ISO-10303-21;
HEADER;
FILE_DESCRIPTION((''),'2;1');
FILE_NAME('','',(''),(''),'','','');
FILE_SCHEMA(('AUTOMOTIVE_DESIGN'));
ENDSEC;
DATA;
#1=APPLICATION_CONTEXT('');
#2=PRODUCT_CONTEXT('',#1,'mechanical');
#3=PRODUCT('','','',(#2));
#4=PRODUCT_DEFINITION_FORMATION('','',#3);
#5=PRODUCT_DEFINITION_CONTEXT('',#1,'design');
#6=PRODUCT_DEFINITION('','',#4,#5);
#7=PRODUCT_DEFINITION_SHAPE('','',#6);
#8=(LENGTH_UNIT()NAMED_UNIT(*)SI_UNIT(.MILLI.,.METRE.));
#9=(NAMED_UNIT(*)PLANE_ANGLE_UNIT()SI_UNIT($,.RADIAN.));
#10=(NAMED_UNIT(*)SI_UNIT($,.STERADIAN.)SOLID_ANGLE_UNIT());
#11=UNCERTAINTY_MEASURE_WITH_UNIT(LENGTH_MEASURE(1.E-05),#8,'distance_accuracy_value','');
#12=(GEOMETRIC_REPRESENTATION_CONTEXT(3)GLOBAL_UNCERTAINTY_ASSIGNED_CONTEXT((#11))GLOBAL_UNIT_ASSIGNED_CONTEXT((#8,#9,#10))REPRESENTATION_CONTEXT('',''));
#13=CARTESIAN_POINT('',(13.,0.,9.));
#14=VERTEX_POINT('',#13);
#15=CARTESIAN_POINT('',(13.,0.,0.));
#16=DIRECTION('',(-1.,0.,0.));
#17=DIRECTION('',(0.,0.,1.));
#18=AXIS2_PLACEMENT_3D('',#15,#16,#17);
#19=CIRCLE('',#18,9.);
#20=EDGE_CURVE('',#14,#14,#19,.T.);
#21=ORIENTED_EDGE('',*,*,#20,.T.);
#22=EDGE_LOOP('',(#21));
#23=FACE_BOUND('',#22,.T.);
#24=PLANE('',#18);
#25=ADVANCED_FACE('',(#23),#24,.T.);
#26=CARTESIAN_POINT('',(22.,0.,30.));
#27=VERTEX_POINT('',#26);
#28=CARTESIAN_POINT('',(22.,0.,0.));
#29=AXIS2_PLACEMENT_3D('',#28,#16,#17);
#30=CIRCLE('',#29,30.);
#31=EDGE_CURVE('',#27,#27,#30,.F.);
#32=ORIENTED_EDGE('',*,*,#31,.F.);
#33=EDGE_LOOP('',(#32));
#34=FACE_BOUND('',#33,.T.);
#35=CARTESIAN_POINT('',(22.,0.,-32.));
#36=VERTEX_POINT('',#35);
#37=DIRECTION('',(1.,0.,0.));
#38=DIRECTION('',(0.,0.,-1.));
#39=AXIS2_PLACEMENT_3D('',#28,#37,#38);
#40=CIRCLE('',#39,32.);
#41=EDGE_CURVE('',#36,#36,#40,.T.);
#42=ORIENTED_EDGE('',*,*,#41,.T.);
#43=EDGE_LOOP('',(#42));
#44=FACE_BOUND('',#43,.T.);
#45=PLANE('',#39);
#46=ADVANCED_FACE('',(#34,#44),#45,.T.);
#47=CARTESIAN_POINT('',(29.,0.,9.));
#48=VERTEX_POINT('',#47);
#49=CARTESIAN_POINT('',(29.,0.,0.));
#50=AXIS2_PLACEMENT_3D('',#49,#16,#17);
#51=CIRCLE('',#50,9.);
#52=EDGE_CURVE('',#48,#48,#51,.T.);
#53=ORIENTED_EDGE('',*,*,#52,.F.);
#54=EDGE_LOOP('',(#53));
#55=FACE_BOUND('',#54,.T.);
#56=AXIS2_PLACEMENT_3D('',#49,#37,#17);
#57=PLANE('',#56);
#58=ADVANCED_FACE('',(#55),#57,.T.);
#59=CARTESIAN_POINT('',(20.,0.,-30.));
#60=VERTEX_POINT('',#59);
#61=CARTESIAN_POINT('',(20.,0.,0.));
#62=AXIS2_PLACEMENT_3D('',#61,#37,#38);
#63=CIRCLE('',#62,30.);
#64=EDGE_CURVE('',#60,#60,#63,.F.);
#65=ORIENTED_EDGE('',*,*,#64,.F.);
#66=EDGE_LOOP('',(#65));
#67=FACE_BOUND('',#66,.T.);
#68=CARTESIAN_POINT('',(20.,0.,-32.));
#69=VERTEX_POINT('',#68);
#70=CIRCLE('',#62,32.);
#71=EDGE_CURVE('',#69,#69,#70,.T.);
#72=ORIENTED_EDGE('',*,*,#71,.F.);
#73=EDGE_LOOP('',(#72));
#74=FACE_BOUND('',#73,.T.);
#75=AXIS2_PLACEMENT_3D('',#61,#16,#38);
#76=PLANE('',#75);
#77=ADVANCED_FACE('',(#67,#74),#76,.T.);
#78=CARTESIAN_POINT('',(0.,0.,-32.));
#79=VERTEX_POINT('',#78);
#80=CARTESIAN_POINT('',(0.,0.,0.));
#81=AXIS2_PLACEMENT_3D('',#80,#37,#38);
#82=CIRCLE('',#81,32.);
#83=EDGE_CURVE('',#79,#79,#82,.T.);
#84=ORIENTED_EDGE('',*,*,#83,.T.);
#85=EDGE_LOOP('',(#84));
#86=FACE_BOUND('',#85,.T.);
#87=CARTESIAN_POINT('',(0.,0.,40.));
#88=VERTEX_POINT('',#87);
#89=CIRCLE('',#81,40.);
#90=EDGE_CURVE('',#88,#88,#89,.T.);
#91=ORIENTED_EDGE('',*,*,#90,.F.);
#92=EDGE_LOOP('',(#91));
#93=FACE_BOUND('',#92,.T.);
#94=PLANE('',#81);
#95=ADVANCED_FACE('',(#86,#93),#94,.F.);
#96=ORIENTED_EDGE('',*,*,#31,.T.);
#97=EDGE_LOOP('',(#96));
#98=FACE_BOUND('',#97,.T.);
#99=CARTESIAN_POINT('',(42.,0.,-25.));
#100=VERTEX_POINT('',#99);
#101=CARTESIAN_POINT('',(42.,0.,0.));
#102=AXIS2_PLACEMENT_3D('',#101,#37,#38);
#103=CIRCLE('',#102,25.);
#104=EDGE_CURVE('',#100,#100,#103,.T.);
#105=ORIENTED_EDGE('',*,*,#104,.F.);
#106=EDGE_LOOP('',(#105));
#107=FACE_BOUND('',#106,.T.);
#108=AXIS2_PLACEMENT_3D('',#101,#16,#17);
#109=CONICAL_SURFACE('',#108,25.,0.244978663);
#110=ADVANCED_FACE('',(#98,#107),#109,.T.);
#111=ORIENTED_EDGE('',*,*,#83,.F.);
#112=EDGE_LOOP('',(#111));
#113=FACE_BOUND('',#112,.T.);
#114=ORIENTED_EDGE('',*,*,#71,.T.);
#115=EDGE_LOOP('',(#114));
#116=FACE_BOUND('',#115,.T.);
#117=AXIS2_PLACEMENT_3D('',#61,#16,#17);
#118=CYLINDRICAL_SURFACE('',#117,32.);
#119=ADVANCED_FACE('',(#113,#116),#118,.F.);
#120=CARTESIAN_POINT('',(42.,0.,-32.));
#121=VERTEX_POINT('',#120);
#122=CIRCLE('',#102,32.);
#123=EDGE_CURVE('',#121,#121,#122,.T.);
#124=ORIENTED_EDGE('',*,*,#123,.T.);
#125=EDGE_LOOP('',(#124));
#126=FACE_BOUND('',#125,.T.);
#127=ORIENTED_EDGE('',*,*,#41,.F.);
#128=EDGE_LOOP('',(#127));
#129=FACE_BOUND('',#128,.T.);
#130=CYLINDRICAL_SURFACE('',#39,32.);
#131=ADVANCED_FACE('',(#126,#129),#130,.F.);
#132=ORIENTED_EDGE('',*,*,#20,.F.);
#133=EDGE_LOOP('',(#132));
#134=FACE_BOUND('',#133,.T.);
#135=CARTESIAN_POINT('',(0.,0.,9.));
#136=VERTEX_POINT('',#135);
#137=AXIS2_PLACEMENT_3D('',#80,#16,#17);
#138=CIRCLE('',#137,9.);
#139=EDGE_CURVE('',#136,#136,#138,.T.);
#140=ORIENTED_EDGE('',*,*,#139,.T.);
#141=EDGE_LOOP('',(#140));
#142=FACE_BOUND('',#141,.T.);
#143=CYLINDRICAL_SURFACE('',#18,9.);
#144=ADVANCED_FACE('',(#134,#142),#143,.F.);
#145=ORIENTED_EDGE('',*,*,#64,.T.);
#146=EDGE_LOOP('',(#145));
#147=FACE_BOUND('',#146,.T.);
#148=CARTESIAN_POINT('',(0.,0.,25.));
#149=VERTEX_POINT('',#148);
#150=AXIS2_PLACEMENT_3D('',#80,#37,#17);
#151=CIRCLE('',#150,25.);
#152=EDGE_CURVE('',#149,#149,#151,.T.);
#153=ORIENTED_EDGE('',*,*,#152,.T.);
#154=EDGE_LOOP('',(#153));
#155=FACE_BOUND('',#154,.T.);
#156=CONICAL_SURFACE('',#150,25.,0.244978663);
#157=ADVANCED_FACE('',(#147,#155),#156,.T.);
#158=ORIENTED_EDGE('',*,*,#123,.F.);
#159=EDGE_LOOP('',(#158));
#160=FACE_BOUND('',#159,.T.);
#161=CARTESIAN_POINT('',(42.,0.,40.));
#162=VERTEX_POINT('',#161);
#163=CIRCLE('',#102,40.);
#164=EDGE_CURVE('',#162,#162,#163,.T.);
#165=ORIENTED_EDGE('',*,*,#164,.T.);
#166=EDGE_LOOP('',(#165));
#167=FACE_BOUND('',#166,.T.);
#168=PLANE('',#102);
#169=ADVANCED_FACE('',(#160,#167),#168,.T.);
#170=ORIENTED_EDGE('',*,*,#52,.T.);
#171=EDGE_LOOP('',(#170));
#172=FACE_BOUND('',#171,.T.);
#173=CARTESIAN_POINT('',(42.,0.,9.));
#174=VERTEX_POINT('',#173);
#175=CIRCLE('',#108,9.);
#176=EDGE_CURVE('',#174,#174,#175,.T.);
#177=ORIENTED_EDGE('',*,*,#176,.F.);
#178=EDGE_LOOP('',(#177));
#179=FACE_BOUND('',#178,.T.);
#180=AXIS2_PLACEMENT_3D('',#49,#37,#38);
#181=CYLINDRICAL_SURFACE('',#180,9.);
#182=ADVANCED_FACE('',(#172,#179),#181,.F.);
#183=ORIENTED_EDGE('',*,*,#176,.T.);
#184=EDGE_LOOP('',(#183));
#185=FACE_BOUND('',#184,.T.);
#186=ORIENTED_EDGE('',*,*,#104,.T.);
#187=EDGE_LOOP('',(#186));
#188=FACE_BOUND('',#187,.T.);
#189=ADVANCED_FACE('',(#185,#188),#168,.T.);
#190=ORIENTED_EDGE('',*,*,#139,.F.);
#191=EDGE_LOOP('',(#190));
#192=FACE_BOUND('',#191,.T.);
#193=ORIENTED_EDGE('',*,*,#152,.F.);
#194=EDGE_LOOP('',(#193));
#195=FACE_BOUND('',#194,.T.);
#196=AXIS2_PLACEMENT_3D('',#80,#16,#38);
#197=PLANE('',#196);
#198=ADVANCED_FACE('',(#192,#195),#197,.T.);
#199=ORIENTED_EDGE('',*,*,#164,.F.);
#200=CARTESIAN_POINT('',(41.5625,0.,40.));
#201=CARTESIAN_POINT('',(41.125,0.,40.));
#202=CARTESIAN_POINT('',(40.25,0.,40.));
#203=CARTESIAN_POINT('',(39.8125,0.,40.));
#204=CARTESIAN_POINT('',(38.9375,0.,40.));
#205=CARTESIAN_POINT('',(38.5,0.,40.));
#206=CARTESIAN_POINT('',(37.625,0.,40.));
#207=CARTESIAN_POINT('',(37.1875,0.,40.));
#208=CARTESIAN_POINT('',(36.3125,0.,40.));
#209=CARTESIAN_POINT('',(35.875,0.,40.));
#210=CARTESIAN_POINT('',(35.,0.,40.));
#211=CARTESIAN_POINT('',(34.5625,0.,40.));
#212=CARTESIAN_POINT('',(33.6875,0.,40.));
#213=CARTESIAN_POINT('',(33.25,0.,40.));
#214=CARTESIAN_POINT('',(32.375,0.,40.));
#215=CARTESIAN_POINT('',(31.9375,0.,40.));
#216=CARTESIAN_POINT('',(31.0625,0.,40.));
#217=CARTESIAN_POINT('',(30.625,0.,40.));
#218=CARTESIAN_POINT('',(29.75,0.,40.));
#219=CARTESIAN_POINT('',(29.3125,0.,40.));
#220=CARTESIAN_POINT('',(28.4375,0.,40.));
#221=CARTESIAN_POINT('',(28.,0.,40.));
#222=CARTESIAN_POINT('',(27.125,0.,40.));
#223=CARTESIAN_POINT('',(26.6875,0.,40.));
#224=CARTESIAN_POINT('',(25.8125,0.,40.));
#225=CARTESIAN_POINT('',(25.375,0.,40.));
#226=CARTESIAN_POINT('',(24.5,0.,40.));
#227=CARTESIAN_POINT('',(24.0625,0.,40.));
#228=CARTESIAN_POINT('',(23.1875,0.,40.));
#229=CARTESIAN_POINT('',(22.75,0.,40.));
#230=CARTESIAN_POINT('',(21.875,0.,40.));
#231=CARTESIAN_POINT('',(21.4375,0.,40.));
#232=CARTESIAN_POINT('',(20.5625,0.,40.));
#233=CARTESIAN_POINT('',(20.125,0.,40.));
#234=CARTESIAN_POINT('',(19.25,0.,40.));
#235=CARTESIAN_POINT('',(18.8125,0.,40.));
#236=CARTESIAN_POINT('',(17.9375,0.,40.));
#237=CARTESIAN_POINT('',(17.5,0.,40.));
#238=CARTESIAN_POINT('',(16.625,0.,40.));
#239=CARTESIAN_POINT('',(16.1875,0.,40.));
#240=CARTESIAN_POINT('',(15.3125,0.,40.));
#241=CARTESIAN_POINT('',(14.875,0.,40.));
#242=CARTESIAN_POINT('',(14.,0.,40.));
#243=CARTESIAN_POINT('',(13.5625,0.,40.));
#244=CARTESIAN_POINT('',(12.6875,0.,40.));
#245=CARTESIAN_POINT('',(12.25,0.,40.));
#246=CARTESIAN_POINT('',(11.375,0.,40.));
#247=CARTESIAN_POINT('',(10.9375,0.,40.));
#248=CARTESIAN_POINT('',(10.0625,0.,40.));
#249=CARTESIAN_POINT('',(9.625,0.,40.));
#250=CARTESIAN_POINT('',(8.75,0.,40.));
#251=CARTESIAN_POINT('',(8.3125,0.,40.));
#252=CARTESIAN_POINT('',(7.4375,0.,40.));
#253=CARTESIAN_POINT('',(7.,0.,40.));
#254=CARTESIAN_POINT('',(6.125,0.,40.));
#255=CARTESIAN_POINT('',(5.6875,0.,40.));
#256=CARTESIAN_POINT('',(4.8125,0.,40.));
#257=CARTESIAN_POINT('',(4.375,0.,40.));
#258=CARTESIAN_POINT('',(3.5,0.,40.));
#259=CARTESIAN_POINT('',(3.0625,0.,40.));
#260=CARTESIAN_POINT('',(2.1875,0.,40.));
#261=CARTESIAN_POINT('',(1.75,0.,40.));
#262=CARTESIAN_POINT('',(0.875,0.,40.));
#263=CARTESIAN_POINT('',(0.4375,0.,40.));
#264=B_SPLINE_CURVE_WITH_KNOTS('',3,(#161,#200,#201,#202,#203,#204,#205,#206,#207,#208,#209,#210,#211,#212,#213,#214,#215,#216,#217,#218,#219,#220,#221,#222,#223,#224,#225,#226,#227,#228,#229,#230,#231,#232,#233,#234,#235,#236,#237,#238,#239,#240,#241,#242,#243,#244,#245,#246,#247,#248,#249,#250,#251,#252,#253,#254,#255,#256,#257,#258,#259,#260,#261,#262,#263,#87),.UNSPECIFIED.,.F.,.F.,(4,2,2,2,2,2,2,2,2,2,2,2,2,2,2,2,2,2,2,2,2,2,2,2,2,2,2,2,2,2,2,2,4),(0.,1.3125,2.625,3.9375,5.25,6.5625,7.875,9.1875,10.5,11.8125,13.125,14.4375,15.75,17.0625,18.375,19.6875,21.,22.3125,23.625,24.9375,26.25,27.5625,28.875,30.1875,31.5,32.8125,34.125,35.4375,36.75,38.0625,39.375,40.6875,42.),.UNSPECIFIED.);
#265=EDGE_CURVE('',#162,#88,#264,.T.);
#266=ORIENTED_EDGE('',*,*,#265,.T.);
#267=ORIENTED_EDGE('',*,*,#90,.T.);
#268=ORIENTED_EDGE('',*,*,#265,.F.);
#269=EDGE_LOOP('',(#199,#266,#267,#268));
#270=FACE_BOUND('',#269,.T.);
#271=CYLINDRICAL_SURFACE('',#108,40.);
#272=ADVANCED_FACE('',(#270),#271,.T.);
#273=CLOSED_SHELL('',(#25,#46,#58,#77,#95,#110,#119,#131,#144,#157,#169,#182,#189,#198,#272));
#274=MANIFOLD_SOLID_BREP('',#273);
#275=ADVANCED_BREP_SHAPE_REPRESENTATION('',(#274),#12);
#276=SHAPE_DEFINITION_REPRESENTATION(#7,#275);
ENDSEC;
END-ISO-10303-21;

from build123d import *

# Parameters (mm, degrees)
SKETCH1_R           = 40
BOSS_EXTRUDE1_DEPTH = 42
SKETCH3_R           = 32
CUT_EXTRUDE2_DEPTH  = 20
SKETCH6_R           = 30
SKETCH5_R           = 25
SKETCH2_R           = 9
CUT_EXTRUDE4_DEPTH  = 13


with BuildPart() as part:
    # Sketch1 → Boss-Extrude1 (new body)
    with BuildSketch(Plane(origin=(0, 0, 0), x_dir=(0, 0, -1), z_dir=(1, 0, 0))):
        with Locations(Location((0, 0, 0), (0, 0, 180))):
            Circle(SKETCH1_R)
    extrude(amount=BOSS_EXTRUDE1_DEPTH)

    # Sketch3 → Cut-Extrude2 (cut)
    with BuildSketch(Plane(origin=(42, 0, 0), x_dir=(0, 0, -1), z_dir=(1, 0, 0))):
        Circle(SKETCH3_R)
    cut_extrude2 = extrude(amount=-CUT_EXTRUDE2_DEPTH, mode=Mode.SUBTRACT)

    # Sketch6 → Loft1 section 0
    with BuildSketch(Plane(origin=(22, 0, 0), x_dir=(0, 0, -1), z_dir=(1, 0, 0))):
        Circle(SKETCH6_R)
    # Sketch5 → Loft1 section 1
    with BuildSketch(Plane(origin=(42, 0, 0), x_dir=(0, 0, -1), z_dir=(1, 0, 0))):
        Circle(SKETCH5_R)
    loft1 = loft()

    # Mirror5: Cut-Extrude2, Loft1 across plane
    add(cut_extrude2.mirror(Plane(origin=(21, 0, 0), x_dir=(0, 0, 1), z_dir=(1, 0, 0))), mode=Mode.SUBTRACT)
    add(loft1.mirror(Plane(origin=(21, 0, 0), x_dir=(0, 0, 1), z_dir=(1, 0, 0))))

    # Sketch2 → Cut-Extrude4 (cut)
    with BuildSketch(Plane.ZY):
        Circle(SKETCH2_R)
    cut_extrude4 = extrude(amount=-CUT_EXTRUDE4_DEPTH, mode=Mode.SUBTRACT)

    # Mirror6: Cut-Extrude4 across plane
    add(cut_extrude4.mirror(Plane(origin=(21, 0, 0), x_dir=(0, 0, 1), z_dir=(1, 0, 0))), mode=Mode.SUBTRACT)


solid = part.part
